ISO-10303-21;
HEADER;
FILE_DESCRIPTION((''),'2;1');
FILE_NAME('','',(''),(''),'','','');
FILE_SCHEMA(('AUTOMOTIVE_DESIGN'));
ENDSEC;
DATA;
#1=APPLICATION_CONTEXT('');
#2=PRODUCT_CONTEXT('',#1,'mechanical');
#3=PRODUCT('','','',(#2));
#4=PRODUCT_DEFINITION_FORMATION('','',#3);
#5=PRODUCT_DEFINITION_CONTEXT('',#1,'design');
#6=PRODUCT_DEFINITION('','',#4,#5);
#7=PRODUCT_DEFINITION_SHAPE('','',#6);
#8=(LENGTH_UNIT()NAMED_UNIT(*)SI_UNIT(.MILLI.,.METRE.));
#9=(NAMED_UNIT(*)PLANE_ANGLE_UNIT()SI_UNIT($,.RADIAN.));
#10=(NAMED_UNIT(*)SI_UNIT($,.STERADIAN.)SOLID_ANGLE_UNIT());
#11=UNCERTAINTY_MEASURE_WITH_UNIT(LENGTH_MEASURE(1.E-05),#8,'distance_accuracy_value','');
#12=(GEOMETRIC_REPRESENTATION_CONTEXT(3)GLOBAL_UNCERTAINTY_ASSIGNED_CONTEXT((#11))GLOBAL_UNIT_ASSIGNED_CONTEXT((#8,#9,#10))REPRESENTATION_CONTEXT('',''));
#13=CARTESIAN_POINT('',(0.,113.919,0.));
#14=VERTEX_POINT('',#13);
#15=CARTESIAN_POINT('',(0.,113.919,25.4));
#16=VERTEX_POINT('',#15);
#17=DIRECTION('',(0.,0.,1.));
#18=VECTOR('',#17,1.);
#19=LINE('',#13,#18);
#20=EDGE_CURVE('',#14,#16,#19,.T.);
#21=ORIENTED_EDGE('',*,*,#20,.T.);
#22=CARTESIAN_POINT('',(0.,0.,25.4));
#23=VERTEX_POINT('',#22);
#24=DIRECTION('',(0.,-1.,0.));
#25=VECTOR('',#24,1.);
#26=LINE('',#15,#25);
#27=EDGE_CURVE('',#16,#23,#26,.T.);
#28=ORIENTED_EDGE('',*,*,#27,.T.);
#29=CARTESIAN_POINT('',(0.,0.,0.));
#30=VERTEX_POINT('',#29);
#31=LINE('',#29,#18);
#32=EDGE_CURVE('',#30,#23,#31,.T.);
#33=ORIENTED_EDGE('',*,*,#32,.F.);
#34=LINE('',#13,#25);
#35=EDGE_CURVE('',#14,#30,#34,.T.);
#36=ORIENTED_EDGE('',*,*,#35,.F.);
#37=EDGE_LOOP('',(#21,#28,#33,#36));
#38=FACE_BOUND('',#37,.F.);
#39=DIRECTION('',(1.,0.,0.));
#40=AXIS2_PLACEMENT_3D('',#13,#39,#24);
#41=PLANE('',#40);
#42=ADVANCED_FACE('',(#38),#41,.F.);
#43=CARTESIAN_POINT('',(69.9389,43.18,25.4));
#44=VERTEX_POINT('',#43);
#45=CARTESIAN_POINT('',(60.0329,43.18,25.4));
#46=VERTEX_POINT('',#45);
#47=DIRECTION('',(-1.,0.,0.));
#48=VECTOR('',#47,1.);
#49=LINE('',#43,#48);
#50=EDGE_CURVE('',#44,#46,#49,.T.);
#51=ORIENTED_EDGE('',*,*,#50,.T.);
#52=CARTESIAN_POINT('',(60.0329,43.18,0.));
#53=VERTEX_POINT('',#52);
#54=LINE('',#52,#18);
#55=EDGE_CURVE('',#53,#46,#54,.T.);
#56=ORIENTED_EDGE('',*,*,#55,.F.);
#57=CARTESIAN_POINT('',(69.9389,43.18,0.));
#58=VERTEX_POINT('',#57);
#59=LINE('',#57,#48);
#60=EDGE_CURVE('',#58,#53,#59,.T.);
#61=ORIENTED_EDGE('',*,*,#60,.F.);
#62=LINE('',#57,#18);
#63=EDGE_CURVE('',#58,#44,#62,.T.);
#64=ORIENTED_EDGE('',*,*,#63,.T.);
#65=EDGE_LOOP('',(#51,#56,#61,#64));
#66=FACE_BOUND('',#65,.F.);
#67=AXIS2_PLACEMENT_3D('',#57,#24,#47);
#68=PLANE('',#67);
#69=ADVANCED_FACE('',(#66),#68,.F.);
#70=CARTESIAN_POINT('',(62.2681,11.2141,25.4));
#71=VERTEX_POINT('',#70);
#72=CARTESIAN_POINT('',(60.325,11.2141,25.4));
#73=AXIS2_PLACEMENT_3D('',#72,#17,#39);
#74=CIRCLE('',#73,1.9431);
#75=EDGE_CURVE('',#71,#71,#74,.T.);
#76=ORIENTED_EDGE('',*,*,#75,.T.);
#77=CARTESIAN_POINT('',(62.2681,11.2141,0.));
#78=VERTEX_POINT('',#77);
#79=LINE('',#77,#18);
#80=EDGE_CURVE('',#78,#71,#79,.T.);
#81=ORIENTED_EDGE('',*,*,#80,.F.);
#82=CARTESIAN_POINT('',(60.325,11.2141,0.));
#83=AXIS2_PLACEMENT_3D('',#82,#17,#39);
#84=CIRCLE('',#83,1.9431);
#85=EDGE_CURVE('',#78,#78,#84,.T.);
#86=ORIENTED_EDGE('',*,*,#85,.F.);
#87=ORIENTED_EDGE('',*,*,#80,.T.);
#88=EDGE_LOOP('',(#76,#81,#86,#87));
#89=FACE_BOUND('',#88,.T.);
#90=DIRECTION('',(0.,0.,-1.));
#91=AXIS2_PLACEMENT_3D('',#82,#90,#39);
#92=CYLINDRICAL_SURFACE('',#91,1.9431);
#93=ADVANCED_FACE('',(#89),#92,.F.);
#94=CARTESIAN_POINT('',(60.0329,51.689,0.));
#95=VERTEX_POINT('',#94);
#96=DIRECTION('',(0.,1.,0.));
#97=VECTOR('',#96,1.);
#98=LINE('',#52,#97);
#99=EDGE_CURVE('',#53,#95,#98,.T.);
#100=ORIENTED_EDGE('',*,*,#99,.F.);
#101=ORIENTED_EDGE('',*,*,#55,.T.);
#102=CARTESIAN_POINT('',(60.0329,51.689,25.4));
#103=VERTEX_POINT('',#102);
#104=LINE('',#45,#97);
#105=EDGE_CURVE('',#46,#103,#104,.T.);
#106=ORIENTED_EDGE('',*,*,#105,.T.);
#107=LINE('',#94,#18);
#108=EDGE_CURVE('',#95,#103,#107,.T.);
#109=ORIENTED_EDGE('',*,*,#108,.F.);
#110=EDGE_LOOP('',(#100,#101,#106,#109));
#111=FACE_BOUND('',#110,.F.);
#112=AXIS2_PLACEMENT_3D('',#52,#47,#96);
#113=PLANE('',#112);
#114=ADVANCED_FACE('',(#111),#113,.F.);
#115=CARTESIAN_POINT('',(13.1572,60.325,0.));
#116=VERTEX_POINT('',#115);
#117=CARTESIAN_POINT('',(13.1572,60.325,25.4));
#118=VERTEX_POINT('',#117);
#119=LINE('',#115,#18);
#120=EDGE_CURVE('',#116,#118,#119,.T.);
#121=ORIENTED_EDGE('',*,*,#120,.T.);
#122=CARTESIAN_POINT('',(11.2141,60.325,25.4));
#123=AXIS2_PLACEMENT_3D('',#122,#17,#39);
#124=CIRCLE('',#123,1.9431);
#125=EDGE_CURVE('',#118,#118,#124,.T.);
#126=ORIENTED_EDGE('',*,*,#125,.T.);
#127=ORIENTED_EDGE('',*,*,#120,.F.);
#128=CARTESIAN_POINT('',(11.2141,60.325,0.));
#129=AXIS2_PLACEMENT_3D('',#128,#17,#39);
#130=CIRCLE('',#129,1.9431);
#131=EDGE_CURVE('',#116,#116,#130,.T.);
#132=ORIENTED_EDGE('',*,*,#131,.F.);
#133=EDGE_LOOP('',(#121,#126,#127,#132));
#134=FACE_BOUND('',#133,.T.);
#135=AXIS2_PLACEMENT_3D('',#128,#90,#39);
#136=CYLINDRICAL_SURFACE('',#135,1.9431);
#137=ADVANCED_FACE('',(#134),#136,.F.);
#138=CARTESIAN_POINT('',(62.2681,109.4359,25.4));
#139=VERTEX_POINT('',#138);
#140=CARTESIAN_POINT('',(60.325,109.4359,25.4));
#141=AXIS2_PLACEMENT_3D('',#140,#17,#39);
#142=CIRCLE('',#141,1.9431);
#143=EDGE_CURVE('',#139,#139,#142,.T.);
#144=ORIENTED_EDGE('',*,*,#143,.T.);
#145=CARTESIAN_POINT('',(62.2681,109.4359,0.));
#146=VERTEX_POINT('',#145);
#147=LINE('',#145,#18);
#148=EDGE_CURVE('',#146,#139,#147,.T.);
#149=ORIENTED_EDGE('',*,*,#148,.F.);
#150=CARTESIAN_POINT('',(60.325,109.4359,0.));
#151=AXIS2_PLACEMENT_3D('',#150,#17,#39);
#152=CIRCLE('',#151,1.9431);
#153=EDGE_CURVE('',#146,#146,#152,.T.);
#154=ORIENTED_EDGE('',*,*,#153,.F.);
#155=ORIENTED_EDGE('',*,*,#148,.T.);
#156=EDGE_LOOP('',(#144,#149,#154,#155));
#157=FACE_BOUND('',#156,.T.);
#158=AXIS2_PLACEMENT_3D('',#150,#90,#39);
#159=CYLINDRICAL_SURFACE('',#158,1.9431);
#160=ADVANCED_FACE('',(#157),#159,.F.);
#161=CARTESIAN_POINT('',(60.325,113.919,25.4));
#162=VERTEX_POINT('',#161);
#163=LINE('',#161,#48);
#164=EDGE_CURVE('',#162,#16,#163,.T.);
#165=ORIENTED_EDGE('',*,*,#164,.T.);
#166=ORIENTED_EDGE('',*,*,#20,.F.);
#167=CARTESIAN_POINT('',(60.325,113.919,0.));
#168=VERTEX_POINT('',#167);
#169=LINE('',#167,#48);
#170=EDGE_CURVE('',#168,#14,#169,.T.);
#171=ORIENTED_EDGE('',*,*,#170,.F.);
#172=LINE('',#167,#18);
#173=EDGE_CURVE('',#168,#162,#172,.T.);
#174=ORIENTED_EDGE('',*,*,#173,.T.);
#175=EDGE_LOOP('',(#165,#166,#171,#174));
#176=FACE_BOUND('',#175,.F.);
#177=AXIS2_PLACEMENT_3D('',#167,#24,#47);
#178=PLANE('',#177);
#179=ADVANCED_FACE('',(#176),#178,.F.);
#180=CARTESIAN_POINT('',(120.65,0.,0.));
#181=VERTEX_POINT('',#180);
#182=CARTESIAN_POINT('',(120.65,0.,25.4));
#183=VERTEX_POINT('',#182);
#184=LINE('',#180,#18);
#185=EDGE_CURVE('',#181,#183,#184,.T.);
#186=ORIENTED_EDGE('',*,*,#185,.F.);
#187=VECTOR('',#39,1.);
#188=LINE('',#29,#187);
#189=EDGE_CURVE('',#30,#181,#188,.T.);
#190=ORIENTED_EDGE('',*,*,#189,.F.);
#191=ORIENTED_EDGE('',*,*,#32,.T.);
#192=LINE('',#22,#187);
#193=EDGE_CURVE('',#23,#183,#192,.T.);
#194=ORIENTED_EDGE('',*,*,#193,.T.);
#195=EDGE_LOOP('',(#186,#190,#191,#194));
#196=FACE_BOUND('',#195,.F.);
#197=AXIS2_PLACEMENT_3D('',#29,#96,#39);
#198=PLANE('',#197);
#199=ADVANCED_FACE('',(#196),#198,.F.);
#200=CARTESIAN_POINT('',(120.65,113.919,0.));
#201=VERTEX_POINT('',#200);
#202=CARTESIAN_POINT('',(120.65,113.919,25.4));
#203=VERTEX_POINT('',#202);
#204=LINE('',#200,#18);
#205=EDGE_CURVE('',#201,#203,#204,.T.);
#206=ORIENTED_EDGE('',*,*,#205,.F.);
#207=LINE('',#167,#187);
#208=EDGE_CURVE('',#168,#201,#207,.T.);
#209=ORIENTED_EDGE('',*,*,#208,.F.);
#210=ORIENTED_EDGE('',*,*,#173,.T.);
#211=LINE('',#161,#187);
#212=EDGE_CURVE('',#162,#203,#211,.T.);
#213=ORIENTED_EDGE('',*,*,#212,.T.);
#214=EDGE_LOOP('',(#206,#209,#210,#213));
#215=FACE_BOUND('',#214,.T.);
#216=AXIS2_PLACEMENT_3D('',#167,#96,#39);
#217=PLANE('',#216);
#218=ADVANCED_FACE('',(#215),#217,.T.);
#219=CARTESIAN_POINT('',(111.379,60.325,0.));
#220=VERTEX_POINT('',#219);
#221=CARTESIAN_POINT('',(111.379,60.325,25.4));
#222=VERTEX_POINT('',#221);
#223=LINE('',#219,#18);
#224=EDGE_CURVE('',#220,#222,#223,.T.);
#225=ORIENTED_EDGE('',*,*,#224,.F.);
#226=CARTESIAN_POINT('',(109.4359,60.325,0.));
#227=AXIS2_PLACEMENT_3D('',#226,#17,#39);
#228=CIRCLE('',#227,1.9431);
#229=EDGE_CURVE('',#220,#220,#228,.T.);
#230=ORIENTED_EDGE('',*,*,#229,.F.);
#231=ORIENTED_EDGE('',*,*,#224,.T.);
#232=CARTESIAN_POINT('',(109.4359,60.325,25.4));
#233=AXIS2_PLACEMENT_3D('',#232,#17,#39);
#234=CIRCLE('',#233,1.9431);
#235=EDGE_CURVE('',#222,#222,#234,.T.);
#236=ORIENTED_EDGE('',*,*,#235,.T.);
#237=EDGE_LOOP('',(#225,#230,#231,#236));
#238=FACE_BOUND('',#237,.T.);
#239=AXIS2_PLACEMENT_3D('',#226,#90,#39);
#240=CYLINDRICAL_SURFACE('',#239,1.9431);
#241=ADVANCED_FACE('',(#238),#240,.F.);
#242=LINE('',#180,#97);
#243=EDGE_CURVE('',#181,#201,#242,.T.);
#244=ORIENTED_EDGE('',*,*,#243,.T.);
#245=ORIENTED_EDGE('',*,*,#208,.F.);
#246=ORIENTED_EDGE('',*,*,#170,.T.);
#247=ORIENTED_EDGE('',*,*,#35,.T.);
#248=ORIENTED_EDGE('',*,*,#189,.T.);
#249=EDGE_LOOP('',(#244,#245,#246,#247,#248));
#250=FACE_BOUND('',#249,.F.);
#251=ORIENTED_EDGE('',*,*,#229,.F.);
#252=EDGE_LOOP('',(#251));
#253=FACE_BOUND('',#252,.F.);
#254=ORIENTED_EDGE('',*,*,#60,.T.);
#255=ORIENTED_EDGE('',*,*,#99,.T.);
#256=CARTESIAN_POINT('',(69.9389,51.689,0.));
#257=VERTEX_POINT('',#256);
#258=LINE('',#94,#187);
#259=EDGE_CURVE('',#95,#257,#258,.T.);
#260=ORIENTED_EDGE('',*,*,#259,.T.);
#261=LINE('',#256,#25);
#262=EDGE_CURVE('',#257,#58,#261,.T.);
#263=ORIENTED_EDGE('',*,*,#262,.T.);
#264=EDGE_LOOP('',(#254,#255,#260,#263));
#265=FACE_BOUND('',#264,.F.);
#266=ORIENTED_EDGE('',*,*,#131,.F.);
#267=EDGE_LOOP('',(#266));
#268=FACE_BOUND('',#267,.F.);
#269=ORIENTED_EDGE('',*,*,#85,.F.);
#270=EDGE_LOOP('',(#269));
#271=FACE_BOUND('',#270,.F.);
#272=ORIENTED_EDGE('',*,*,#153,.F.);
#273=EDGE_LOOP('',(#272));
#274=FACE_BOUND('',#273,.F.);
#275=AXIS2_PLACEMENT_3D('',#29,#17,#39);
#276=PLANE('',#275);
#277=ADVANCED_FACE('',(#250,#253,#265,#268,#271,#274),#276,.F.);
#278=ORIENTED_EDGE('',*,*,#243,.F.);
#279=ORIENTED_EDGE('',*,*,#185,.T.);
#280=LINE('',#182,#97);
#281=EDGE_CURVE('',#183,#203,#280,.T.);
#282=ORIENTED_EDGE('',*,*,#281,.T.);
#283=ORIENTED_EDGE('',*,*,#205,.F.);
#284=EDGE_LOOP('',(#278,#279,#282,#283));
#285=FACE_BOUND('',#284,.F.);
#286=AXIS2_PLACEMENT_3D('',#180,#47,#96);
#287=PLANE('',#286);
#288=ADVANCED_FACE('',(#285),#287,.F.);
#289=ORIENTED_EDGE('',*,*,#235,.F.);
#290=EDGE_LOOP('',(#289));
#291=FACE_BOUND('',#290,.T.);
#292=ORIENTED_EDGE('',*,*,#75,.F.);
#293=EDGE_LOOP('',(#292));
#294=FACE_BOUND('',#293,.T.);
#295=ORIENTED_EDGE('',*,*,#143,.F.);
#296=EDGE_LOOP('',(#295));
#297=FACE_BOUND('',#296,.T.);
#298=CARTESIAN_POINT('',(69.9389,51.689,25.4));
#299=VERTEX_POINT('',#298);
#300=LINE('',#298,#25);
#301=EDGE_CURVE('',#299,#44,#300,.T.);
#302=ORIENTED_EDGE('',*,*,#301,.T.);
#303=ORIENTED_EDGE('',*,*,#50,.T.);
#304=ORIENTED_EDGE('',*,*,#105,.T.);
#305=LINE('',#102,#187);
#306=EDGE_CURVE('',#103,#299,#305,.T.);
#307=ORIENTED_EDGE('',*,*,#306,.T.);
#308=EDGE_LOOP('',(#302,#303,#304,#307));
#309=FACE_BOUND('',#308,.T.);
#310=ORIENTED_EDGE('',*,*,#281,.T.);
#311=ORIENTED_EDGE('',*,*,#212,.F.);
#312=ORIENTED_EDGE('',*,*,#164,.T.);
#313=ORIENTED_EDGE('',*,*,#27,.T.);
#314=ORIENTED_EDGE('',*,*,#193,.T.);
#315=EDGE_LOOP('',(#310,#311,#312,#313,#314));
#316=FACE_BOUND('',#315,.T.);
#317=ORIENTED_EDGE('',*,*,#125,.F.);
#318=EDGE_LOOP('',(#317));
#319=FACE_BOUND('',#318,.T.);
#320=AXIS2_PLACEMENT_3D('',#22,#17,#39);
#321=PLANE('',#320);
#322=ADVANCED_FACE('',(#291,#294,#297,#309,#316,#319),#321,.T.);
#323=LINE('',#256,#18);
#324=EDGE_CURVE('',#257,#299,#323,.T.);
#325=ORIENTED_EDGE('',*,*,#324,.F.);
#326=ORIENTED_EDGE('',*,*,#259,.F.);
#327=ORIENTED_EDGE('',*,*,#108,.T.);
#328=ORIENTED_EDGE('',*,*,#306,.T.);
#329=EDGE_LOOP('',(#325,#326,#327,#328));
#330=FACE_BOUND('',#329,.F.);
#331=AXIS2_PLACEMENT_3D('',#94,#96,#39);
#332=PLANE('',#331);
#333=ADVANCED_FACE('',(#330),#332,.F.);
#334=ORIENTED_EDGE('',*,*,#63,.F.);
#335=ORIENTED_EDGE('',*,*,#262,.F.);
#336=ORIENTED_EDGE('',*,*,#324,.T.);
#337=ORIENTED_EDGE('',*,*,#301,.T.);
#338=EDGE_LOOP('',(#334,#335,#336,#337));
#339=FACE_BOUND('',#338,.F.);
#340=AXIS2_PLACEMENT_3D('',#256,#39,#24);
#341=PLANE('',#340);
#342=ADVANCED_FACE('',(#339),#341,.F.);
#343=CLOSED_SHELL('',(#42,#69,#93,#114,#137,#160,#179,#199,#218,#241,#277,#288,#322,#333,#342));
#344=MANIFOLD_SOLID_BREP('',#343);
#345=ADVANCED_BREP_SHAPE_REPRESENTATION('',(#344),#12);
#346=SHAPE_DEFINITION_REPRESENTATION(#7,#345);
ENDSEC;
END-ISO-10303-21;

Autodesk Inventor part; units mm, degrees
ref_plane "YZ Plane" through (0, 0, 0) normal (1, 0, 0) x (0, 1, 0)
ref_plane "XZ Plane" through (0, 0, 0) normal (0, 1, 0) x (-1, 0, 0)
ref_plane "XY Plane" through (0, 0, 0) normal (0, 0, 1) x (1, 0, 0)
sketch "Sketch1" plane through (0, 0, 0) normal (0, 0, 1) x (1, 0, 0)
  line L0 (0, 0) -> (120.65, 0)
  line L1 (120.65, 0) -> (120.65, 113.919)
  line L2 (0, 113.919) -> (0, 0)
  circle A0 centre (11.2141, 60.325) radius 1.9431
  circle A1 centre (60.325, 11.2141) radius 1.9431
  circle A2 centre (109.4359, 60.325) radius 1.9431
  circle A3 centre (60.325, 109.4359) radius 1.9431
  line L3 (60.325, 113.919) -> (120.65, 113.919)
  line L4 (60.325, 113.919) -> (0, 113.919)
  line L5 (60.0329, 51.689) -> (69.9389, 51.689)
  line L6 (69.9389, 51.689) -> (69.9389, 43.18)
  line L7 (69.9389, 43.18) -> (60.0329, 43.18)
  line L8 (60.0329, 43.18) -> (60.0329, 51.689)
  point P0 (60.325, 60.325)
  dimension "d10" = 3.8862
  dimension "d13" = 360
  dimension "d34" = 9.906
  dimension "d35" = 8.509
extrude "Extrusion4" add sketch "Sketch1" along normal blind 25.4
properties part number "speakerfront2"
